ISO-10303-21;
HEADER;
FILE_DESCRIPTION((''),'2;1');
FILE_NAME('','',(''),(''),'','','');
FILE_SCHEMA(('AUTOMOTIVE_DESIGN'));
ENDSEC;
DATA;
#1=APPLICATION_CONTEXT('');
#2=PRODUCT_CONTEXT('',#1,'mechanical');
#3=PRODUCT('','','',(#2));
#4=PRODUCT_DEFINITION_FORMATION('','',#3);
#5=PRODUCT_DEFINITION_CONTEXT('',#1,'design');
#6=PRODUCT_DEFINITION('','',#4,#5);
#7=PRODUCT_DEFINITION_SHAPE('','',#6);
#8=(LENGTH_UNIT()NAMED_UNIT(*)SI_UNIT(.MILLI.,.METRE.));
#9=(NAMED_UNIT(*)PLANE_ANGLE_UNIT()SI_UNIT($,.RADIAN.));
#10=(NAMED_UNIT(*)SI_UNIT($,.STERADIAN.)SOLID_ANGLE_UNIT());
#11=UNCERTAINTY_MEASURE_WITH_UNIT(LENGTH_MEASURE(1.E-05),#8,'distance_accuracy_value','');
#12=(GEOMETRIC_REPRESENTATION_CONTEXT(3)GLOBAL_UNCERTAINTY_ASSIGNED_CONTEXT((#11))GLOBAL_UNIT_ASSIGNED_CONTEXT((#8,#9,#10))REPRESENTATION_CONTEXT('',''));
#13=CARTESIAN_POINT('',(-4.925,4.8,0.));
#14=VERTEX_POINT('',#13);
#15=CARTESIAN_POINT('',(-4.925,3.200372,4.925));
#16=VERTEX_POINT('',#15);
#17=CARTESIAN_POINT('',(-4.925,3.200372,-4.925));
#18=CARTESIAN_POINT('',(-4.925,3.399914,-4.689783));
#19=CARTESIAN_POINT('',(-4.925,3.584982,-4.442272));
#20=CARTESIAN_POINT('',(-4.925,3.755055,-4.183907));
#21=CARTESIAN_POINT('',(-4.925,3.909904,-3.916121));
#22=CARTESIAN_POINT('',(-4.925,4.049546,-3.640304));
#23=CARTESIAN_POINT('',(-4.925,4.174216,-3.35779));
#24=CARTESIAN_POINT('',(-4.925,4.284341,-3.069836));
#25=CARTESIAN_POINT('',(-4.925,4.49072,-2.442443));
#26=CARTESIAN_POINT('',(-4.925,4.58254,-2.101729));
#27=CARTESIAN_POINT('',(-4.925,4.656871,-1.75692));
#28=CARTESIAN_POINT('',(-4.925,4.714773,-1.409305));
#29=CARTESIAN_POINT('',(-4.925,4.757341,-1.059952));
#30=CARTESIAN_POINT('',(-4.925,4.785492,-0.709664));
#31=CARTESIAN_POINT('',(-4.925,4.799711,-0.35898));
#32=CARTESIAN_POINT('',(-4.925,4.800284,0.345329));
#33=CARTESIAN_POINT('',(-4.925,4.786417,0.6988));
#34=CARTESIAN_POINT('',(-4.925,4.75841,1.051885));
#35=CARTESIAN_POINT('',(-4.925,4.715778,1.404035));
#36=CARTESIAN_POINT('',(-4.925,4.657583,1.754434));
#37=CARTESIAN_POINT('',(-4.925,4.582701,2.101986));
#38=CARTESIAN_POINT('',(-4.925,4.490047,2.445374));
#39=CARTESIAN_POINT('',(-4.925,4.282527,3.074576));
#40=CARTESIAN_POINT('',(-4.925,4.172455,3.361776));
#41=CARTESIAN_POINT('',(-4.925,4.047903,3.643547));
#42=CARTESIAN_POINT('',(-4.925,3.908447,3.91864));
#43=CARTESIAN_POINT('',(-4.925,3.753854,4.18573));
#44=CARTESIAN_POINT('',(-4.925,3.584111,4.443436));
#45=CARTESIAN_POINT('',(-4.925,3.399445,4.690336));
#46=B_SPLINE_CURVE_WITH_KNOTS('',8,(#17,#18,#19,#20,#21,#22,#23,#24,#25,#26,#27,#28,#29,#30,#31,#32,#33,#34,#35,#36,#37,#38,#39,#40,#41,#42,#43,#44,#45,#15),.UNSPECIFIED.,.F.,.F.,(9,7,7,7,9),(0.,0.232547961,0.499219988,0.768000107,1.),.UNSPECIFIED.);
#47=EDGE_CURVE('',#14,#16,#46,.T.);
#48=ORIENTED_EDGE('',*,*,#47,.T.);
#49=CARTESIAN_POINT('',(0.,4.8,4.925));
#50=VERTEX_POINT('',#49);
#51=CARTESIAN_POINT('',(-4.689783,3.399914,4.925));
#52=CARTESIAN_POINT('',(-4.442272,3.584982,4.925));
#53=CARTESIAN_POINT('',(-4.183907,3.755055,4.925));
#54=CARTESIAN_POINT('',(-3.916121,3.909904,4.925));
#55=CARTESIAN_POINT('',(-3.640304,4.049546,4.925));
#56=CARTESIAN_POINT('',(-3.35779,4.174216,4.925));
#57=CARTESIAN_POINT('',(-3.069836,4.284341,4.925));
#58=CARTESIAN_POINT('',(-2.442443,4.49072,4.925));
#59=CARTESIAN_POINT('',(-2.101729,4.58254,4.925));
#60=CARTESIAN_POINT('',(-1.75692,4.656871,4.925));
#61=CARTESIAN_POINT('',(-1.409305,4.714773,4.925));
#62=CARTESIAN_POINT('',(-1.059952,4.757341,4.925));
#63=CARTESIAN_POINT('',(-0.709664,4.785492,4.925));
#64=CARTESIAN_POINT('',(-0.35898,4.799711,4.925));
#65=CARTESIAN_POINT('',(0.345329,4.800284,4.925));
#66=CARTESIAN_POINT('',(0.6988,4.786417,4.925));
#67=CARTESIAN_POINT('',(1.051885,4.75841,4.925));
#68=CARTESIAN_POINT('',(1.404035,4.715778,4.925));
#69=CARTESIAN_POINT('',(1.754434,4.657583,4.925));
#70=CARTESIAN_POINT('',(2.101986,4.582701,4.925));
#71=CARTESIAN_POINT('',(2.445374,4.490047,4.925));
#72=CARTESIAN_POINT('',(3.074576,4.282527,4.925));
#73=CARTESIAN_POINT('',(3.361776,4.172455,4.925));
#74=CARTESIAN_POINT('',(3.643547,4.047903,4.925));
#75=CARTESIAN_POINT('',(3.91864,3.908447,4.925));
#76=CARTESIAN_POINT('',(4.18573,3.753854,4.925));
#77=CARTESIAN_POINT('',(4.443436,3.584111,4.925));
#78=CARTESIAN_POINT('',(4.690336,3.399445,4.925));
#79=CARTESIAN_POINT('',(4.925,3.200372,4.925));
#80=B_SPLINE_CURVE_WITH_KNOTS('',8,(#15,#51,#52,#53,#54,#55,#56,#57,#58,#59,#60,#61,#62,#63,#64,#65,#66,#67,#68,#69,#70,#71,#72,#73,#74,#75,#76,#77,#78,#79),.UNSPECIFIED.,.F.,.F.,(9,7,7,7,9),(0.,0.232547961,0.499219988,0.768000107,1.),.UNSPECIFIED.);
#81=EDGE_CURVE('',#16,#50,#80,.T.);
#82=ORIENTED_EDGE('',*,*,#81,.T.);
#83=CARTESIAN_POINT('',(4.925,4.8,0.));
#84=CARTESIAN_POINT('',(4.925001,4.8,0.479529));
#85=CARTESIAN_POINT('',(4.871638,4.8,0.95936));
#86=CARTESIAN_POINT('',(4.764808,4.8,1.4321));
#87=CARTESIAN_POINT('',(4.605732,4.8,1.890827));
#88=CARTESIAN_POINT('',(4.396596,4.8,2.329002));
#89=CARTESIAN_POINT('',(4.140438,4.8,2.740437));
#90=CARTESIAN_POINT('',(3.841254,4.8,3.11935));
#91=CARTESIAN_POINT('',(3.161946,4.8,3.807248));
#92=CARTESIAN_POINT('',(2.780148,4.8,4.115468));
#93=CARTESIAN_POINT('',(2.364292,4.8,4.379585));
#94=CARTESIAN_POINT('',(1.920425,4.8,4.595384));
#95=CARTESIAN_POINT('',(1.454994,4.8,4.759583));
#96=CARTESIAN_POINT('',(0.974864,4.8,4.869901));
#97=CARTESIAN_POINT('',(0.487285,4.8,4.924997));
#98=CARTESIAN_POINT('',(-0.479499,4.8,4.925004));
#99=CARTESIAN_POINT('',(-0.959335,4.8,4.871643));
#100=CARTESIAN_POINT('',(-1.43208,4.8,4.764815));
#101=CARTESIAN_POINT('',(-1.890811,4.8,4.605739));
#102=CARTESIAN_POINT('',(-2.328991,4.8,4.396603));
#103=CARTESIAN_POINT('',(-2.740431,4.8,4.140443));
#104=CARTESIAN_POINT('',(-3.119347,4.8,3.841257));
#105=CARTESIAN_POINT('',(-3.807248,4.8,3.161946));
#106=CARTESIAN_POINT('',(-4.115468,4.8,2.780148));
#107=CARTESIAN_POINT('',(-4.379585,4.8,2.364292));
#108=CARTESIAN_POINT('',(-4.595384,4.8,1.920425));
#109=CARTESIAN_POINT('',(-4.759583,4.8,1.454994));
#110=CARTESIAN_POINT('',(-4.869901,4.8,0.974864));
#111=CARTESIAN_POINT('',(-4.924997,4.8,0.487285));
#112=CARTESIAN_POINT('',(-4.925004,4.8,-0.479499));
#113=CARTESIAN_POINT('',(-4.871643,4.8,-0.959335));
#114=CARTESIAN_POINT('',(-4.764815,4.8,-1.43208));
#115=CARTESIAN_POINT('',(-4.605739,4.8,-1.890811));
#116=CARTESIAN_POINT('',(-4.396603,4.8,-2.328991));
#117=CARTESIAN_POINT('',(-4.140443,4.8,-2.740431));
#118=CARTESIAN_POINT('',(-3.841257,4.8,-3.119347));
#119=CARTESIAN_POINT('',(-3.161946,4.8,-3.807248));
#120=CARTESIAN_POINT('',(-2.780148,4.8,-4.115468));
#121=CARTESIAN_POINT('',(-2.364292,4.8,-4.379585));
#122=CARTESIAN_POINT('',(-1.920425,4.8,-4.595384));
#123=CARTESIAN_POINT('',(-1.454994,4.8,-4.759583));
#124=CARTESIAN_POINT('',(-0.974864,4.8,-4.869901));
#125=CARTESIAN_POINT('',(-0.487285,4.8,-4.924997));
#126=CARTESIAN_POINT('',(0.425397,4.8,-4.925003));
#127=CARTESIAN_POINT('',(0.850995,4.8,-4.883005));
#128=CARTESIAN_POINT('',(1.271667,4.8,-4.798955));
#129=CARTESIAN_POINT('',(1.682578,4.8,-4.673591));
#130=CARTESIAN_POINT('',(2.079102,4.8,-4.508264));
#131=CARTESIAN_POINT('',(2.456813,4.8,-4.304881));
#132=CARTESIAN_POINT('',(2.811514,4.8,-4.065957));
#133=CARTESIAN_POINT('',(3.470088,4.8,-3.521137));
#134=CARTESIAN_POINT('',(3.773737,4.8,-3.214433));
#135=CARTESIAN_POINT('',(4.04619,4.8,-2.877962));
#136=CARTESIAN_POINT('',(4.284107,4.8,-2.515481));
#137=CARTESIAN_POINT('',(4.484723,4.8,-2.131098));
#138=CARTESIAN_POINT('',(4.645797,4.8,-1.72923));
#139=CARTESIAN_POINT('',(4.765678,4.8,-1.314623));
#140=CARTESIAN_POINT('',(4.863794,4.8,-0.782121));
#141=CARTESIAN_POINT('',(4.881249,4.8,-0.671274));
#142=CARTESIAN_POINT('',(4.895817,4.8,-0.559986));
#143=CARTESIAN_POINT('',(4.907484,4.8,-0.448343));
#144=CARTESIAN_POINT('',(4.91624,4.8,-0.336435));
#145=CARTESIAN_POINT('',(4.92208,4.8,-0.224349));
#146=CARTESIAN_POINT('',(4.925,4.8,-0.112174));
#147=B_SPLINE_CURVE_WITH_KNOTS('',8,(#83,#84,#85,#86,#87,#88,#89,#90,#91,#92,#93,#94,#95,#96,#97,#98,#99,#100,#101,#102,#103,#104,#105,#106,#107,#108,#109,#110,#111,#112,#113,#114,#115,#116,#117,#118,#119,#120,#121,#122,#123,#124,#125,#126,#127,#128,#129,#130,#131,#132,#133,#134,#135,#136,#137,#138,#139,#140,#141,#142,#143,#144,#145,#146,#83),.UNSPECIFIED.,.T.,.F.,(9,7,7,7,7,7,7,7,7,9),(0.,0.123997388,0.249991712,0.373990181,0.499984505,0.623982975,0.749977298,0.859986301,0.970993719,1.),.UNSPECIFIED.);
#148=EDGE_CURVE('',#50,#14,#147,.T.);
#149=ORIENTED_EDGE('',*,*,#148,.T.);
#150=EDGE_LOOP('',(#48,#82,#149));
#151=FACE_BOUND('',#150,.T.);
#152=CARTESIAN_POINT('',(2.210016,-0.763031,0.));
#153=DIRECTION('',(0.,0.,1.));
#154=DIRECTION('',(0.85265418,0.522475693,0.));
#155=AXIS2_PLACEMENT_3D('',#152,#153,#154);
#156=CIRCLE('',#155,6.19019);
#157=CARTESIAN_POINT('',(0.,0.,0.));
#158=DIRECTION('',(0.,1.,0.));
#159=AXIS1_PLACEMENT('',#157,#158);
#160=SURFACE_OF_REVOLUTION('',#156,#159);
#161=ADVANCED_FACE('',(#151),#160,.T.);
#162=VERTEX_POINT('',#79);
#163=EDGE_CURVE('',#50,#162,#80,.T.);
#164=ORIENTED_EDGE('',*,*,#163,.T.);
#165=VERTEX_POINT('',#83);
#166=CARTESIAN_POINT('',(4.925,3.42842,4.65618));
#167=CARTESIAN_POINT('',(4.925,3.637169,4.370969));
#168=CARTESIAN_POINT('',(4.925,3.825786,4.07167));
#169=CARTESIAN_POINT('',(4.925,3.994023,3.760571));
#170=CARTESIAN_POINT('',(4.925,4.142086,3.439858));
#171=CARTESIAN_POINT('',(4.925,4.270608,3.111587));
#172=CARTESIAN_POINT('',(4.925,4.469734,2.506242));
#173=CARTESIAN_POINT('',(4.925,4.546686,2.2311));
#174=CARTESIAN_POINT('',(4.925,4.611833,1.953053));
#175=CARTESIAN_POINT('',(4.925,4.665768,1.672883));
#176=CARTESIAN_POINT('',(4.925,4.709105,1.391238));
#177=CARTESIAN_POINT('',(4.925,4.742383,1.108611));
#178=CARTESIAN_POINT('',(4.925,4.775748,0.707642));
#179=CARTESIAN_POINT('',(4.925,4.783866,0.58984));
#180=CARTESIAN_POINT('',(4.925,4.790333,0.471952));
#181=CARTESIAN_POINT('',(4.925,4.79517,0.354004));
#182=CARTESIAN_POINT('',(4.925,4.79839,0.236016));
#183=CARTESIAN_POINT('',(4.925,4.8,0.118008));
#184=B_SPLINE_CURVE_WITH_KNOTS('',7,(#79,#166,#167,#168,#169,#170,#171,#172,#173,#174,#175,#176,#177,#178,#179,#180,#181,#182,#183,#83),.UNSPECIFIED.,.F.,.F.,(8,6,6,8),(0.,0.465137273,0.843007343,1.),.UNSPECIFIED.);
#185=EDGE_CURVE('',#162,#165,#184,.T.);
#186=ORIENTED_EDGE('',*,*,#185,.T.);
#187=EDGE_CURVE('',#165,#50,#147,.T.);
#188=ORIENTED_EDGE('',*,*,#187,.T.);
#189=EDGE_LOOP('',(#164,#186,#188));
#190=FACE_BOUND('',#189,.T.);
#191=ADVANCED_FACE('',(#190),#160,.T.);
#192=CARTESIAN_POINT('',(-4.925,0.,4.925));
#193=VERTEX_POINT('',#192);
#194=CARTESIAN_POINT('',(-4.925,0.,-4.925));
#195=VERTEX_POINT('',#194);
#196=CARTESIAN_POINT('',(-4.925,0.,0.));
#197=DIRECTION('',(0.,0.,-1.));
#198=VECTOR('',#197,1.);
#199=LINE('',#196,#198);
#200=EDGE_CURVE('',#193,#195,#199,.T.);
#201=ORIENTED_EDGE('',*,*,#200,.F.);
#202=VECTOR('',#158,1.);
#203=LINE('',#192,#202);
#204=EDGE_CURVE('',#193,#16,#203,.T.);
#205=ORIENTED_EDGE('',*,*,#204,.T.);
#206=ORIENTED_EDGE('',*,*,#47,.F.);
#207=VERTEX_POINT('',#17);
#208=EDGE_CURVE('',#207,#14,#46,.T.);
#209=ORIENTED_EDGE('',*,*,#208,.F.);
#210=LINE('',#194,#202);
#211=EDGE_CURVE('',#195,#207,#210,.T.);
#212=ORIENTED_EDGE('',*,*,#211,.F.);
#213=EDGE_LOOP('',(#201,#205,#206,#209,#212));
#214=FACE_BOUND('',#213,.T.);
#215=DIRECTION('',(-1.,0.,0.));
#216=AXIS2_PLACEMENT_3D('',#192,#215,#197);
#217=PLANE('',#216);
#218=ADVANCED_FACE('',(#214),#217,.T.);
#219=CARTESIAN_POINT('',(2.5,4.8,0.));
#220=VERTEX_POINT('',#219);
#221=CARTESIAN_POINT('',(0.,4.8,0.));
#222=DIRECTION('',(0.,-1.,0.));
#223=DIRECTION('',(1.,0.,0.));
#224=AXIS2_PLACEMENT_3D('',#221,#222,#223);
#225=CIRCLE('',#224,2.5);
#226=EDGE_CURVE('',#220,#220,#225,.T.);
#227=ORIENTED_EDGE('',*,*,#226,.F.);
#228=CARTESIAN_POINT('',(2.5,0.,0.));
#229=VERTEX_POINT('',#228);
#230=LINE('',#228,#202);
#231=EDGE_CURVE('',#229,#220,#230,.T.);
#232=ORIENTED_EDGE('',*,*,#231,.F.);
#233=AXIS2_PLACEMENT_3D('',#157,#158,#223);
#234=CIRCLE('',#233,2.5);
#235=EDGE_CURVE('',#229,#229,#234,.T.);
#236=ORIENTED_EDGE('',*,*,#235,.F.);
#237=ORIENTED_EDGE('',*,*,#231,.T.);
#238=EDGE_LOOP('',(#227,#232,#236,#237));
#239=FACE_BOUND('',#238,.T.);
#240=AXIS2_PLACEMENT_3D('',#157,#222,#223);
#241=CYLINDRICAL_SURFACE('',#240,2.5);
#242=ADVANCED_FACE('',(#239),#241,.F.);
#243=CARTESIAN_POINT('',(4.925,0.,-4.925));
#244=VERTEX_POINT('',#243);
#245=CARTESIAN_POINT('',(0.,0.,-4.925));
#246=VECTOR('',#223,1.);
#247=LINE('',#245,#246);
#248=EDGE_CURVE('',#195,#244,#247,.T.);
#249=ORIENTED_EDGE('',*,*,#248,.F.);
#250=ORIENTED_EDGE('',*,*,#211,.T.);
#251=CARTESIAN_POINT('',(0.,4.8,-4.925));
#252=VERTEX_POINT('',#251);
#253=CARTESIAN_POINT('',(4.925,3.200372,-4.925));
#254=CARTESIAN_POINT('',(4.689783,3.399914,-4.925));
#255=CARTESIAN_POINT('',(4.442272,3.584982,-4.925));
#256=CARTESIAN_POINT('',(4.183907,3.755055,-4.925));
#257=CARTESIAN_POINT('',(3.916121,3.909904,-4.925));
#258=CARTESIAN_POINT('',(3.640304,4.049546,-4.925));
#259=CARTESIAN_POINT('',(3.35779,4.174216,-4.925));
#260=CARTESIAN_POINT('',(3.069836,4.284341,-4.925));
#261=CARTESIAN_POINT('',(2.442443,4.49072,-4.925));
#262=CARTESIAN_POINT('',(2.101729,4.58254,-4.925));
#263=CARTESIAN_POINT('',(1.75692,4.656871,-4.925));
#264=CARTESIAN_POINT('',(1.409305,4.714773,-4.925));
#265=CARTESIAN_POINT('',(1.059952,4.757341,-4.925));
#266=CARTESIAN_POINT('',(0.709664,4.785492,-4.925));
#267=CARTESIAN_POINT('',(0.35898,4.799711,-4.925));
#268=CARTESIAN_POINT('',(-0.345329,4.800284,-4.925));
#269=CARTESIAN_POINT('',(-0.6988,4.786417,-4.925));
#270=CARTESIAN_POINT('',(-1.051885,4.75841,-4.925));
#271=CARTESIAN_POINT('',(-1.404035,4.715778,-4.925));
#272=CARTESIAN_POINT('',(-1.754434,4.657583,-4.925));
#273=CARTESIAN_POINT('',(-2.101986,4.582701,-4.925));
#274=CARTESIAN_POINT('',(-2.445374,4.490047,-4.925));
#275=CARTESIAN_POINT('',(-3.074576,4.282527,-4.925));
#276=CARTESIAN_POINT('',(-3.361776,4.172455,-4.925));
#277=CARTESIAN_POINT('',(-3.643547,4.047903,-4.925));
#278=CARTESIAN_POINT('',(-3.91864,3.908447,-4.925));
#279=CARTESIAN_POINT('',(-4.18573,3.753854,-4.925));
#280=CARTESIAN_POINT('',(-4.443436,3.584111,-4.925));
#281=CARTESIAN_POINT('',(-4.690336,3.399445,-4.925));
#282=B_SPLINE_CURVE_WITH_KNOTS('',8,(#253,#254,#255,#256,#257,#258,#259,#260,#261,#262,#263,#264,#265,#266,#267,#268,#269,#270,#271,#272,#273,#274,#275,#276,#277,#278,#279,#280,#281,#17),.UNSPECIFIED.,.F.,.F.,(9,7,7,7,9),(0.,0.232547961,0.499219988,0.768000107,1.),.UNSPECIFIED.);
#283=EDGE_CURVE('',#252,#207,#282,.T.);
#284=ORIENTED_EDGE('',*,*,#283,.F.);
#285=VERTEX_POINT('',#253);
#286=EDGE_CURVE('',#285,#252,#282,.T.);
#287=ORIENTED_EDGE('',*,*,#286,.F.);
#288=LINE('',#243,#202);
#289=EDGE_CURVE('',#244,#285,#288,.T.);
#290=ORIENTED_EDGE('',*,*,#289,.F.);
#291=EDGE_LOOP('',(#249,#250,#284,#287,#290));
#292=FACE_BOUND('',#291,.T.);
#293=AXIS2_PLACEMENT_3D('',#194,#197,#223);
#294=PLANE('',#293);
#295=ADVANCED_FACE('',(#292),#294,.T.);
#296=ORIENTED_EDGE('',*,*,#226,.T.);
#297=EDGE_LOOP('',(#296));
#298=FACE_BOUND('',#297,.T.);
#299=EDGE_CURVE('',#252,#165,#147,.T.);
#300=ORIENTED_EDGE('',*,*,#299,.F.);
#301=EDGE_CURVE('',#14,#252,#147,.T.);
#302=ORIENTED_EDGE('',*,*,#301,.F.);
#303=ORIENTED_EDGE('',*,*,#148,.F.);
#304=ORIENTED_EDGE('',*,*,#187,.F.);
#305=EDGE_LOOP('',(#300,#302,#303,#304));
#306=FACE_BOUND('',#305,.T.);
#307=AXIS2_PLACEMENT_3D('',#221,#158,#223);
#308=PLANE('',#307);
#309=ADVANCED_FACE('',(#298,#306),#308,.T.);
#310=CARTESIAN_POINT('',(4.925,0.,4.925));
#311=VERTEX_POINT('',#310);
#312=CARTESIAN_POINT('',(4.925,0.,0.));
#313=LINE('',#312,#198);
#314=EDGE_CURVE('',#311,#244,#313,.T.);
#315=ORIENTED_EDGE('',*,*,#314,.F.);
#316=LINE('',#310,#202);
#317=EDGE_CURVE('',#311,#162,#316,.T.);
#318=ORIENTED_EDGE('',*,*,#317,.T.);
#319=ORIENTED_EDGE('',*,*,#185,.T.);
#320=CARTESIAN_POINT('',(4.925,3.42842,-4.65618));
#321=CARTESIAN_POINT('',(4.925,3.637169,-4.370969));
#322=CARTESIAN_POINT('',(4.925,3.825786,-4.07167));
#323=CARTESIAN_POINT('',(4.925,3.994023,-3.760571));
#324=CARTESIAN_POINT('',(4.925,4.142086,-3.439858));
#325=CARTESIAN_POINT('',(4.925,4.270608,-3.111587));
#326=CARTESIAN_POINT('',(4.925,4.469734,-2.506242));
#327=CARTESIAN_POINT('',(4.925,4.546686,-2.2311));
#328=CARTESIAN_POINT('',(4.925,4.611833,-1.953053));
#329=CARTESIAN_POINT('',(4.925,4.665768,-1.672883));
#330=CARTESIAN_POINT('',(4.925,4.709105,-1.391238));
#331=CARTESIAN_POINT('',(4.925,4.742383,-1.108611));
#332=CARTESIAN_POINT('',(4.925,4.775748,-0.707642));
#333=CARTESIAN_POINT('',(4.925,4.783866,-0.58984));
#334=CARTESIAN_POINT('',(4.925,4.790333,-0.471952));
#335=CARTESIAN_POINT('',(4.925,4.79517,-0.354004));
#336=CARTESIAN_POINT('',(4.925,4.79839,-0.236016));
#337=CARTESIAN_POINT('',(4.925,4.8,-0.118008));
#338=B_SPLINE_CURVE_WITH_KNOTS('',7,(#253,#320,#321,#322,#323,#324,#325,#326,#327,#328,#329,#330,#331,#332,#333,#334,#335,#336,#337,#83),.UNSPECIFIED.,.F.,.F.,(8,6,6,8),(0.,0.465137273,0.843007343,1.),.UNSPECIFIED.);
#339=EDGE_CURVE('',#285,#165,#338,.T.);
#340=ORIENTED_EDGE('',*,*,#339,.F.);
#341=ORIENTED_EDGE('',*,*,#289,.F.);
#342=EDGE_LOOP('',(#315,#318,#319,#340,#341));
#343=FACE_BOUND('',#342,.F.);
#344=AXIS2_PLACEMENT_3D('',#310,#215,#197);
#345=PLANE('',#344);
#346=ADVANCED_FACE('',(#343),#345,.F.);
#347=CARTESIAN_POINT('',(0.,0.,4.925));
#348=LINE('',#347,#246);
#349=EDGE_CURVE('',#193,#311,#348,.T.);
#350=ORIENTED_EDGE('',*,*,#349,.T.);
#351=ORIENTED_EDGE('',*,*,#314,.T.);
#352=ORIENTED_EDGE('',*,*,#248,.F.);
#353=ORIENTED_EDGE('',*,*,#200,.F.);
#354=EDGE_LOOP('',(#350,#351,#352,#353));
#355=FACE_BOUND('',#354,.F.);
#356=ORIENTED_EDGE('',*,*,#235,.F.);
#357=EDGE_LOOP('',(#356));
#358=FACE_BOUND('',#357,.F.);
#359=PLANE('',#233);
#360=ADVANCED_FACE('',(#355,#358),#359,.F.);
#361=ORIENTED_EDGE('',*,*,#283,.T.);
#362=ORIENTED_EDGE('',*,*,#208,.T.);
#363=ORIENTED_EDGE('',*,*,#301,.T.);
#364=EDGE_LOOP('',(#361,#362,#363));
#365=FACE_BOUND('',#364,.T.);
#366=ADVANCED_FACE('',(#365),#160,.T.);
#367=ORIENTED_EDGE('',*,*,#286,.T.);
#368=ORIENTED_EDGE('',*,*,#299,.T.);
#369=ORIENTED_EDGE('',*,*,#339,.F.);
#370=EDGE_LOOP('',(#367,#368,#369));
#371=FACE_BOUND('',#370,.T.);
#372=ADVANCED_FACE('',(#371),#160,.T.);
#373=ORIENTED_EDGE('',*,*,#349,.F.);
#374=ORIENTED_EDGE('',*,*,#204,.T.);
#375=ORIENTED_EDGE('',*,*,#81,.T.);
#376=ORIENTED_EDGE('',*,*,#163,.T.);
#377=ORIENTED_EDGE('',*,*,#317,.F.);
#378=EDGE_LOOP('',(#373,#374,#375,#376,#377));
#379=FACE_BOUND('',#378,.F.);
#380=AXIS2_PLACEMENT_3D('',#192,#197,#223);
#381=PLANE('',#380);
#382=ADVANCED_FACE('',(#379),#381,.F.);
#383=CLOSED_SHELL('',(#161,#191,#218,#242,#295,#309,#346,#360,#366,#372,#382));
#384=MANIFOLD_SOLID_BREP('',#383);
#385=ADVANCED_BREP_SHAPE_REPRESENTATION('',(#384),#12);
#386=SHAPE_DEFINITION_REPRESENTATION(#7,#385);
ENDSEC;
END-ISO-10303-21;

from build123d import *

# Parameters (mm, degrees)
SKETCH1_W               = 9.85
SKETCH1_H               = 9.85
BOSS_EXTRUDE1_DEPTH     = 4.8
SKETCH2_R               = 2.5
CUT_EXTRUDE2_DEPTH      = 5.8
CUT_EXTRUDE2_DEPTH_BACK = 1


with BuildPart() as part:
    # Sketch1 → Boss-Extrude1 (new body)
    with BuildSketch(Plane(origin=(0, 0, 0), x_dir=(1, 0, 0), z_dir=(0, 1, 0))):
        Rectangle(SKETCH1_W, SKETCH1_H)
    extrude(amount=BOSS_EXTRUDE1_DEPTH)

    # Sketch2 → Cut-Extrude2 (cut, two sides)
    with BuildSketch(Plane(origin=(0, 0, 0), x_dir=(1, 0, 0), z_dir=(0, 1, 0))) as cut_extrude2_sk:
        Circle(SKETCH2_R)
    extrude(amount=CUT_EXTRUDE2_DEPTH, mode=Mode.SUBTRACT)
    extrude(cut_extrude2_sk.sketch, amount=-CUT_EXTRUDE2_DEPTH_BACK, mode=Mode.SUBTRACT)

    # Sketch4 → Cut-Revolve3 (revolve, cut)
    with BuildSketch(Plane.XY):
        with BuildLine():
            Line((4.377231808, 5.035384903), (7.488107991, 5.035384903))
            Line((7.488107991, 5.035384903), (7.488107991, 2.471192453))
            ThreePointArc((7.488107991, 2.471192453), (6.147264146, 4.013634243), (4.377231808, 5.035384903))
        make_face()
    revolve(axis=Axis((0, 0, 0), (0, 1, 0)), mode=Mode.SUBTRACT)


solid = part.part
